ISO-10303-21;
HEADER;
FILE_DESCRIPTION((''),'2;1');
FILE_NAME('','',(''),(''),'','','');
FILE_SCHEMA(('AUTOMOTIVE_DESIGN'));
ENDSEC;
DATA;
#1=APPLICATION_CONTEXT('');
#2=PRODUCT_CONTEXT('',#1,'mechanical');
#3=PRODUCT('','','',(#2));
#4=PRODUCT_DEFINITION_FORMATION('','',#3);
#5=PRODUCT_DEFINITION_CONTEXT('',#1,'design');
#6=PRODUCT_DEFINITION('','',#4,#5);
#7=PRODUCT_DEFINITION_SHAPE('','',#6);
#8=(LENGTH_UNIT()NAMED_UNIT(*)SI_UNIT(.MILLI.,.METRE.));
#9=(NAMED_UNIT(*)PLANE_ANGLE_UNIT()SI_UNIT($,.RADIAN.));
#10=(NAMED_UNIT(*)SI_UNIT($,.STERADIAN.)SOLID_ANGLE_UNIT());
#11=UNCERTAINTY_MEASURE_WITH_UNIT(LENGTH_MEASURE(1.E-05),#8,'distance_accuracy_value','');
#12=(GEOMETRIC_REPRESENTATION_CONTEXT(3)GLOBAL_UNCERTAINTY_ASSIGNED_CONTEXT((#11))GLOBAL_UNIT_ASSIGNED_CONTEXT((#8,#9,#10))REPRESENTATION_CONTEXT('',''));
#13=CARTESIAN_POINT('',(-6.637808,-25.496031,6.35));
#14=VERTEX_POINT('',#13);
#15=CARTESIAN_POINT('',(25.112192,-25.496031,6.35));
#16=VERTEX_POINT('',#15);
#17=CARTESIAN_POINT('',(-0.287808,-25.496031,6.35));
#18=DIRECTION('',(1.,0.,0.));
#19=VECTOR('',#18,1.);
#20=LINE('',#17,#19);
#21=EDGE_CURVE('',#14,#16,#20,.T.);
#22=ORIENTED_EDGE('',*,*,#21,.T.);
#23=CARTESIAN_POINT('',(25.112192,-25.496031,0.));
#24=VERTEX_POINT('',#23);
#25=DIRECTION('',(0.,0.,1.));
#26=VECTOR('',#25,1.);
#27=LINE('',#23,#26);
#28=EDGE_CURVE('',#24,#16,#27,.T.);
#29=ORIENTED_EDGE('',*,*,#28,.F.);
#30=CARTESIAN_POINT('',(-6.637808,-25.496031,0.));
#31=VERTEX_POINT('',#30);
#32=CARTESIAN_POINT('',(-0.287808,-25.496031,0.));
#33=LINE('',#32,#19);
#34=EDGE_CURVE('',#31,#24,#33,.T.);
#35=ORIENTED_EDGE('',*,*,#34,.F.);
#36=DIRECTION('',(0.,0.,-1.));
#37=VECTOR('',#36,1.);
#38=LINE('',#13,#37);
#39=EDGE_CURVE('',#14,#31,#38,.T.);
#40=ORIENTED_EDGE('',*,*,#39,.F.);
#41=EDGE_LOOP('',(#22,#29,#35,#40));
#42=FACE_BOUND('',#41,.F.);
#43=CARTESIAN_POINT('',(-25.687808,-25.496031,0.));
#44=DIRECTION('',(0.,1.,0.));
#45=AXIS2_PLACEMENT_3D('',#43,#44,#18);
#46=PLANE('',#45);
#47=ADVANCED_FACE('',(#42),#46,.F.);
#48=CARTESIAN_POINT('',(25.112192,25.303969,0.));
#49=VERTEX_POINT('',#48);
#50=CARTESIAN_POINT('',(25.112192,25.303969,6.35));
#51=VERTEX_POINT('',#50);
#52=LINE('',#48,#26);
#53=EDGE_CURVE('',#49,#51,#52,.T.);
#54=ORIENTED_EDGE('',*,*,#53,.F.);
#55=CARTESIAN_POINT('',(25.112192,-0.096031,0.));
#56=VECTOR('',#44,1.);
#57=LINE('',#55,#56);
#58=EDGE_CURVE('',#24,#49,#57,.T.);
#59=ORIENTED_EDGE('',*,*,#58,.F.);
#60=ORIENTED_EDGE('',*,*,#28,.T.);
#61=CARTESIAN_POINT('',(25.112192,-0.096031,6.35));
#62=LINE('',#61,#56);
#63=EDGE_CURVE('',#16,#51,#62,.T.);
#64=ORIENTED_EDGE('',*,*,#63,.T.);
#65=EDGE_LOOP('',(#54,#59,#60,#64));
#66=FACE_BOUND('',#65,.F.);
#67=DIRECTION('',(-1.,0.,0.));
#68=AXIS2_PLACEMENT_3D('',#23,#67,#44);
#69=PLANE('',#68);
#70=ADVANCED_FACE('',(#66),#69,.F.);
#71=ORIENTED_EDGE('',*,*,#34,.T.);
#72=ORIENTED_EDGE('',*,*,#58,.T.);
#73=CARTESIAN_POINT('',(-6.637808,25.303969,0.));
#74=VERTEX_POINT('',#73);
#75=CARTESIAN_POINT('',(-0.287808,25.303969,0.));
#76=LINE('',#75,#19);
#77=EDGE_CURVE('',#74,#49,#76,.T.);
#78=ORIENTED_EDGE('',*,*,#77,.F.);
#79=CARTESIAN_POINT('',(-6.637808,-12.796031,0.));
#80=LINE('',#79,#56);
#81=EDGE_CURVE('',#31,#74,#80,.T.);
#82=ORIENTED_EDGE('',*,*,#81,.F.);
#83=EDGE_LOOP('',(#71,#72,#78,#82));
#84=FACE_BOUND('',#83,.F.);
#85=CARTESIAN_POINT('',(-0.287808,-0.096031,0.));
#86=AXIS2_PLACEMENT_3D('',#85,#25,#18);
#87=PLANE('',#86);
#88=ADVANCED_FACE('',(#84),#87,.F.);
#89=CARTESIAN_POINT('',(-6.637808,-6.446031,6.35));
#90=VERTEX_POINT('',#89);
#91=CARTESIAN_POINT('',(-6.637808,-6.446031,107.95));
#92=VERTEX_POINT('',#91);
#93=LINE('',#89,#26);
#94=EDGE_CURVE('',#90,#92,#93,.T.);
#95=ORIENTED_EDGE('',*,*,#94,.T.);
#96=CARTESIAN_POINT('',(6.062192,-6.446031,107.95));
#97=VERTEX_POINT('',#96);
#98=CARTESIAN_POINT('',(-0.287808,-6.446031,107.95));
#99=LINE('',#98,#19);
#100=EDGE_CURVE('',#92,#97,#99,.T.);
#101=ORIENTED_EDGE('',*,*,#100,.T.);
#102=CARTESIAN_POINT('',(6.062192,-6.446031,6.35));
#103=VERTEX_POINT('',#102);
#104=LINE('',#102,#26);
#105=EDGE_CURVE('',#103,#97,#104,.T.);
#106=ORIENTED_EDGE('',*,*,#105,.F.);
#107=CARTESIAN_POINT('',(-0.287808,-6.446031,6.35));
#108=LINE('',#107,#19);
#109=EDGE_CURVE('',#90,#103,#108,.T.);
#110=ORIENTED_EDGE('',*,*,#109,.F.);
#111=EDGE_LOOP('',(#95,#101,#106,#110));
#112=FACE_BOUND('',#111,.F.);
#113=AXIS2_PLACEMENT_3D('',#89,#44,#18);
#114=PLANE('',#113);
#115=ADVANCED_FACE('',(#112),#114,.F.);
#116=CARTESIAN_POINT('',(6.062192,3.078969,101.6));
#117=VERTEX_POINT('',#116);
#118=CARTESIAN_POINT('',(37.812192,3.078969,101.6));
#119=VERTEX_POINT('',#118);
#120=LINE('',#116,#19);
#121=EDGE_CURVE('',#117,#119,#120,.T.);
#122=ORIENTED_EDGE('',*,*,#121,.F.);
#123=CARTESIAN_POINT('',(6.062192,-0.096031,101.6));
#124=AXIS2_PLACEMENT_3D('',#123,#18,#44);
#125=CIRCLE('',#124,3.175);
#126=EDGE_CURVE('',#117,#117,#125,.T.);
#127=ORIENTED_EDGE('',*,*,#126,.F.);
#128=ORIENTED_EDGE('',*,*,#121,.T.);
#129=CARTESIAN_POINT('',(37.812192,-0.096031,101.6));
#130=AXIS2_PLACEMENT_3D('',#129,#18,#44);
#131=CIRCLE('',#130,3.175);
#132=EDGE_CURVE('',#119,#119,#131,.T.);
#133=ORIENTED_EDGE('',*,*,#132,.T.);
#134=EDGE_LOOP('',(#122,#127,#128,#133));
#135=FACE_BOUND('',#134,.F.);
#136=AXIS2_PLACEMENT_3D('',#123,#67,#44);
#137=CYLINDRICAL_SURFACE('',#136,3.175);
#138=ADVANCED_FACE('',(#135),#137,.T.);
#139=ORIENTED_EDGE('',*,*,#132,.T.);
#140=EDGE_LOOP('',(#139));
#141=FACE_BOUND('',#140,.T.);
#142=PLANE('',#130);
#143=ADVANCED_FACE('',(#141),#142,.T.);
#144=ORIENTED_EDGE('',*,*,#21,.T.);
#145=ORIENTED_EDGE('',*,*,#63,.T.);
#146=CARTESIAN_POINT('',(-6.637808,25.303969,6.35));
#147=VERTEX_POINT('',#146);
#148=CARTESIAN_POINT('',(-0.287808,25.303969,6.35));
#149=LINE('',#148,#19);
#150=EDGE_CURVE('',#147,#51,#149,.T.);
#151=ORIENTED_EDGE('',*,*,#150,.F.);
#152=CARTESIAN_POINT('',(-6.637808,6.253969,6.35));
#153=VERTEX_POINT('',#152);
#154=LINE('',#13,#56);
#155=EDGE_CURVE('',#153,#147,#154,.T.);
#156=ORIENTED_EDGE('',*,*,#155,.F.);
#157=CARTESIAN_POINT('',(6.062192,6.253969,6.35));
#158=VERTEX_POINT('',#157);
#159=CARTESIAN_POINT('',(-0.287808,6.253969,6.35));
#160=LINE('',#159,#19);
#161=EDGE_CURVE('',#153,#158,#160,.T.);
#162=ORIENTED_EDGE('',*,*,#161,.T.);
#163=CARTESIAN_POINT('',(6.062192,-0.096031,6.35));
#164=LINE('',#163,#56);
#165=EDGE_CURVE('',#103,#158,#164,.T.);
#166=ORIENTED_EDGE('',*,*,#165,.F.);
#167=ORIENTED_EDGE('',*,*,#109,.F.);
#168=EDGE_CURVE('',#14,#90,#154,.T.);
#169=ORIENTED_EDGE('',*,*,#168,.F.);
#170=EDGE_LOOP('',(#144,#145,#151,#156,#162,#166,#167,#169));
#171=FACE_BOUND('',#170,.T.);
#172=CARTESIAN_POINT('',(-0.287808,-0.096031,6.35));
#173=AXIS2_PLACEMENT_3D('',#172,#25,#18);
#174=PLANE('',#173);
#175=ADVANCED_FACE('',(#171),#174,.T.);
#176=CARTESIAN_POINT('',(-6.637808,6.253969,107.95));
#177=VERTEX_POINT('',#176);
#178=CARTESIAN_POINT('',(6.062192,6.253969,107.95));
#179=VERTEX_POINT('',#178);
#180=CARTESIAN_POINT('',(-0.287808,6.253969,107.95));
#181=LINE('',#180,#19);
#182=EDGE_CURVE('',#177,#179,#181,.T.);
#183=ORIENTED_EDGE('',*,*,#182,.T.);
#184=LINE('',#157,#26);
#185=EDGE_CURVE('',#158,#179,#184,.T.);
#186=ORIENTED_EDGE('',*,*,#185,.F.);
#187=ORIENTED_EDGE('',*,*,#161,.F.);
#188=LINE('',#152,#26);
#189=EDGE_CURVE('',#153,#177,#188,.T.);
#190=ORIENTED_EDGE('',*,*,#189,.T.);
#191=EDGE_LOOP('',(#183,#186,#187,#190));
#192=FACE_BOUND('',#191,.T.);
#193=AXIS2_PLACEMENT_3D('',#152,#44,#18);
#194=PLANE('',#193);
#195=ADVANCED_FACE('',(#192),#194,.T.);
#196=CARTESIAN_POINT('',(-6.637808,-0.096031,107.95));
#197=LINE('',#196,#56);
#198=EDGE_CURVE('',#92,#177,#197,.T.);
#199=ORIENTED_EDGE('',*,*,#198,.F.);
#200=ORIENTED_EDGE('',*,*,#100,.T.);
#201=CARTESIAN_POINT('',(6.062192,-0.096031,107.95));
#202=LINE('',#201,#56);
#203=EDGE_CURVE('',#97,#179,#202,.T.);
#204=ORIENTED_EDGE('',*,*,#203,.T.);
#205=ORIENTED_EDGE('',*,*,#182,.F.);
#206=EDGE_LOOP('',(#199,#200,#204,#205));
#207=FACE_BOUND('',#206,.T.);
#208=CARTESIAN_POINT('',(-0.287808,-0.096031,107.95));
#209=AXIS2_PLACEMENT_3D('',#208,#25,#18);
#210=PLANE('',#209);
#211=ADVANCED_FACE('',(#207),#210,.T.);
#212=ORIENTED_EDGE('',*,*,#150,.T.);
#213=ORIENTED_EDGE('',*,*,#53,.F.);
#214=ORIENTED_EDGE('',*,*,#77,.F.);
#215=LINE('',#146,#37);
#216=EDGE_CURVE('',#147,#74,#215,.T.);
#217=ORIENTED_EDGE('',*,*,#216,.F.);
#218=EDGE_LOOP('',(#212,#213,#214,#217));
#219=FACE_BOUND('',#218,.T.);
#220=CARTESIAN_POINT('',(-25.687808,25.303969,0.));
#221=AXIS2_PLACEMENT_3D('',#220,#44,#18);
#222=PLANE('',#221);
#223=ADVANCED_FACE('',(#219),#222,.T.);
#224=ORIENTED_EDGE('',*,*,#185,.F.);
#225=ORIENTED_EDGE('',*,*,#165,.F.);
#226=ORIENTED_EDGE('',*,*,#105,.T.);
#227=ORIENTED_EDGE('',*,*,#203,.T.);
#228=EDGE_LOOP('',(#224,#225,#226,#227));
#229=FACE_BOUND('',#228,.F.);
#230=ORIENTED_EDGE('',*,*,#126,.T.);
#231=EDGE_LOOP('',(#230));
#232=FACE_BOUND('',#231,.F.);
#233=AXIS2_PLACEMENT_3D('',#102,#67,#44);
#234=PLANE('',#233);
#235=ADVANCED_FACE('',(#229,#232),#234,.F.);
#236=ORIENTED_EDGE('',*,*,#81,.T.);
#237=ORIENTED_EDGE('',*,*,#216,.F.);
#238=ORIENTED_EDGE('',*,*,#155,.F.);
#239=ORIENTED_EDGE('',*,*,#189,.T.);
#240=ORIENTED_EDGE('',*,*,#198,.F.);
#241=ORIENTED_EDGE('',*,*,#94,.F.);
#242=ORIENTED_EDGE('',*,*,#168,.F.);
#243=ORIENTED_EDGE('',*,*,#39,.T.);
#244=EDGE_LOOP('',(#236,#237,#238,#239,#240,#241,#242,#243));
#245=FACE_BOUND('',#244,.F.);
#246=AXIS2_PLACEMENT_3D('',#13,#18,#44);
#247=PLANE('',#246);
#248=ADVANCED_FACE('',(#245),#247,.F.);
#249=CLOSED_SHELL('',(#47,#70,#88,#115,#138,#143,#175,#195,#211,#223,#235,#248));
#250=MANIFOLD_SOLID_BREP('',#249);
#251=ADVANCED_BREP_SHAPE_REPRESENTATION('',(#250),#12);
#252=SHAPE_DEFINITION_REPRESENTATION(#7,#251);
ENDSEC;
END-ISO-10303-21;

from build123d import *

# Parameters (mm, degrees)
F0_W     = 50.8
F0_H     = 50.8
F1_DEPTH = 6.35
F2_W     = 12.7
F2_H     = 12.7
F3_DEPTH = 101.6
F4_R     = 3.175
F5_DEPTH = 31.75
F7_DEPTH = 25.4


with BuildPart() as f1:
    # F0 (on Top) → F1 (new body)
    with BuildSketch(Plane.XY):
        with Locations((-0.287808, -0.096031)):
            Rectangle(F0_W, F0_H)
    extrude(amount=F1_DEPTH)

    # F2 (on face) → F3 (join)
    with BuildSketch(Plane.XY.offset(6.35)):
        with Locations((-0.287808, -0.096031)):
            Rectangle(F2_W, F2_H)
    extrude(amount=F3_DEPTH)

    # F4 (on face) → F5 (join)
    with BuildSketch(Plane.YZ.offset(6.062192)):
        with Locations((-0.096031, 101.6)):
            Circle(F4_R)
    extrude(amount=F5_DEPTH)

    # F6 (on face) → F7 (cut)
    with BuildSketch(Plane.XY.offset(6.35)):
        Polygon((-6.637808, -6.446031), (-6.637808, 6.253969), (-6.637808, 25.303969), (-25.687808, 25.303969), (-25.687808, -25.496031), (-6.637808, -25.496031), align=None)
    extrude(amount=-F7_DEPTH, mode=Mode.SUBTRACT)


solid = f1.part
